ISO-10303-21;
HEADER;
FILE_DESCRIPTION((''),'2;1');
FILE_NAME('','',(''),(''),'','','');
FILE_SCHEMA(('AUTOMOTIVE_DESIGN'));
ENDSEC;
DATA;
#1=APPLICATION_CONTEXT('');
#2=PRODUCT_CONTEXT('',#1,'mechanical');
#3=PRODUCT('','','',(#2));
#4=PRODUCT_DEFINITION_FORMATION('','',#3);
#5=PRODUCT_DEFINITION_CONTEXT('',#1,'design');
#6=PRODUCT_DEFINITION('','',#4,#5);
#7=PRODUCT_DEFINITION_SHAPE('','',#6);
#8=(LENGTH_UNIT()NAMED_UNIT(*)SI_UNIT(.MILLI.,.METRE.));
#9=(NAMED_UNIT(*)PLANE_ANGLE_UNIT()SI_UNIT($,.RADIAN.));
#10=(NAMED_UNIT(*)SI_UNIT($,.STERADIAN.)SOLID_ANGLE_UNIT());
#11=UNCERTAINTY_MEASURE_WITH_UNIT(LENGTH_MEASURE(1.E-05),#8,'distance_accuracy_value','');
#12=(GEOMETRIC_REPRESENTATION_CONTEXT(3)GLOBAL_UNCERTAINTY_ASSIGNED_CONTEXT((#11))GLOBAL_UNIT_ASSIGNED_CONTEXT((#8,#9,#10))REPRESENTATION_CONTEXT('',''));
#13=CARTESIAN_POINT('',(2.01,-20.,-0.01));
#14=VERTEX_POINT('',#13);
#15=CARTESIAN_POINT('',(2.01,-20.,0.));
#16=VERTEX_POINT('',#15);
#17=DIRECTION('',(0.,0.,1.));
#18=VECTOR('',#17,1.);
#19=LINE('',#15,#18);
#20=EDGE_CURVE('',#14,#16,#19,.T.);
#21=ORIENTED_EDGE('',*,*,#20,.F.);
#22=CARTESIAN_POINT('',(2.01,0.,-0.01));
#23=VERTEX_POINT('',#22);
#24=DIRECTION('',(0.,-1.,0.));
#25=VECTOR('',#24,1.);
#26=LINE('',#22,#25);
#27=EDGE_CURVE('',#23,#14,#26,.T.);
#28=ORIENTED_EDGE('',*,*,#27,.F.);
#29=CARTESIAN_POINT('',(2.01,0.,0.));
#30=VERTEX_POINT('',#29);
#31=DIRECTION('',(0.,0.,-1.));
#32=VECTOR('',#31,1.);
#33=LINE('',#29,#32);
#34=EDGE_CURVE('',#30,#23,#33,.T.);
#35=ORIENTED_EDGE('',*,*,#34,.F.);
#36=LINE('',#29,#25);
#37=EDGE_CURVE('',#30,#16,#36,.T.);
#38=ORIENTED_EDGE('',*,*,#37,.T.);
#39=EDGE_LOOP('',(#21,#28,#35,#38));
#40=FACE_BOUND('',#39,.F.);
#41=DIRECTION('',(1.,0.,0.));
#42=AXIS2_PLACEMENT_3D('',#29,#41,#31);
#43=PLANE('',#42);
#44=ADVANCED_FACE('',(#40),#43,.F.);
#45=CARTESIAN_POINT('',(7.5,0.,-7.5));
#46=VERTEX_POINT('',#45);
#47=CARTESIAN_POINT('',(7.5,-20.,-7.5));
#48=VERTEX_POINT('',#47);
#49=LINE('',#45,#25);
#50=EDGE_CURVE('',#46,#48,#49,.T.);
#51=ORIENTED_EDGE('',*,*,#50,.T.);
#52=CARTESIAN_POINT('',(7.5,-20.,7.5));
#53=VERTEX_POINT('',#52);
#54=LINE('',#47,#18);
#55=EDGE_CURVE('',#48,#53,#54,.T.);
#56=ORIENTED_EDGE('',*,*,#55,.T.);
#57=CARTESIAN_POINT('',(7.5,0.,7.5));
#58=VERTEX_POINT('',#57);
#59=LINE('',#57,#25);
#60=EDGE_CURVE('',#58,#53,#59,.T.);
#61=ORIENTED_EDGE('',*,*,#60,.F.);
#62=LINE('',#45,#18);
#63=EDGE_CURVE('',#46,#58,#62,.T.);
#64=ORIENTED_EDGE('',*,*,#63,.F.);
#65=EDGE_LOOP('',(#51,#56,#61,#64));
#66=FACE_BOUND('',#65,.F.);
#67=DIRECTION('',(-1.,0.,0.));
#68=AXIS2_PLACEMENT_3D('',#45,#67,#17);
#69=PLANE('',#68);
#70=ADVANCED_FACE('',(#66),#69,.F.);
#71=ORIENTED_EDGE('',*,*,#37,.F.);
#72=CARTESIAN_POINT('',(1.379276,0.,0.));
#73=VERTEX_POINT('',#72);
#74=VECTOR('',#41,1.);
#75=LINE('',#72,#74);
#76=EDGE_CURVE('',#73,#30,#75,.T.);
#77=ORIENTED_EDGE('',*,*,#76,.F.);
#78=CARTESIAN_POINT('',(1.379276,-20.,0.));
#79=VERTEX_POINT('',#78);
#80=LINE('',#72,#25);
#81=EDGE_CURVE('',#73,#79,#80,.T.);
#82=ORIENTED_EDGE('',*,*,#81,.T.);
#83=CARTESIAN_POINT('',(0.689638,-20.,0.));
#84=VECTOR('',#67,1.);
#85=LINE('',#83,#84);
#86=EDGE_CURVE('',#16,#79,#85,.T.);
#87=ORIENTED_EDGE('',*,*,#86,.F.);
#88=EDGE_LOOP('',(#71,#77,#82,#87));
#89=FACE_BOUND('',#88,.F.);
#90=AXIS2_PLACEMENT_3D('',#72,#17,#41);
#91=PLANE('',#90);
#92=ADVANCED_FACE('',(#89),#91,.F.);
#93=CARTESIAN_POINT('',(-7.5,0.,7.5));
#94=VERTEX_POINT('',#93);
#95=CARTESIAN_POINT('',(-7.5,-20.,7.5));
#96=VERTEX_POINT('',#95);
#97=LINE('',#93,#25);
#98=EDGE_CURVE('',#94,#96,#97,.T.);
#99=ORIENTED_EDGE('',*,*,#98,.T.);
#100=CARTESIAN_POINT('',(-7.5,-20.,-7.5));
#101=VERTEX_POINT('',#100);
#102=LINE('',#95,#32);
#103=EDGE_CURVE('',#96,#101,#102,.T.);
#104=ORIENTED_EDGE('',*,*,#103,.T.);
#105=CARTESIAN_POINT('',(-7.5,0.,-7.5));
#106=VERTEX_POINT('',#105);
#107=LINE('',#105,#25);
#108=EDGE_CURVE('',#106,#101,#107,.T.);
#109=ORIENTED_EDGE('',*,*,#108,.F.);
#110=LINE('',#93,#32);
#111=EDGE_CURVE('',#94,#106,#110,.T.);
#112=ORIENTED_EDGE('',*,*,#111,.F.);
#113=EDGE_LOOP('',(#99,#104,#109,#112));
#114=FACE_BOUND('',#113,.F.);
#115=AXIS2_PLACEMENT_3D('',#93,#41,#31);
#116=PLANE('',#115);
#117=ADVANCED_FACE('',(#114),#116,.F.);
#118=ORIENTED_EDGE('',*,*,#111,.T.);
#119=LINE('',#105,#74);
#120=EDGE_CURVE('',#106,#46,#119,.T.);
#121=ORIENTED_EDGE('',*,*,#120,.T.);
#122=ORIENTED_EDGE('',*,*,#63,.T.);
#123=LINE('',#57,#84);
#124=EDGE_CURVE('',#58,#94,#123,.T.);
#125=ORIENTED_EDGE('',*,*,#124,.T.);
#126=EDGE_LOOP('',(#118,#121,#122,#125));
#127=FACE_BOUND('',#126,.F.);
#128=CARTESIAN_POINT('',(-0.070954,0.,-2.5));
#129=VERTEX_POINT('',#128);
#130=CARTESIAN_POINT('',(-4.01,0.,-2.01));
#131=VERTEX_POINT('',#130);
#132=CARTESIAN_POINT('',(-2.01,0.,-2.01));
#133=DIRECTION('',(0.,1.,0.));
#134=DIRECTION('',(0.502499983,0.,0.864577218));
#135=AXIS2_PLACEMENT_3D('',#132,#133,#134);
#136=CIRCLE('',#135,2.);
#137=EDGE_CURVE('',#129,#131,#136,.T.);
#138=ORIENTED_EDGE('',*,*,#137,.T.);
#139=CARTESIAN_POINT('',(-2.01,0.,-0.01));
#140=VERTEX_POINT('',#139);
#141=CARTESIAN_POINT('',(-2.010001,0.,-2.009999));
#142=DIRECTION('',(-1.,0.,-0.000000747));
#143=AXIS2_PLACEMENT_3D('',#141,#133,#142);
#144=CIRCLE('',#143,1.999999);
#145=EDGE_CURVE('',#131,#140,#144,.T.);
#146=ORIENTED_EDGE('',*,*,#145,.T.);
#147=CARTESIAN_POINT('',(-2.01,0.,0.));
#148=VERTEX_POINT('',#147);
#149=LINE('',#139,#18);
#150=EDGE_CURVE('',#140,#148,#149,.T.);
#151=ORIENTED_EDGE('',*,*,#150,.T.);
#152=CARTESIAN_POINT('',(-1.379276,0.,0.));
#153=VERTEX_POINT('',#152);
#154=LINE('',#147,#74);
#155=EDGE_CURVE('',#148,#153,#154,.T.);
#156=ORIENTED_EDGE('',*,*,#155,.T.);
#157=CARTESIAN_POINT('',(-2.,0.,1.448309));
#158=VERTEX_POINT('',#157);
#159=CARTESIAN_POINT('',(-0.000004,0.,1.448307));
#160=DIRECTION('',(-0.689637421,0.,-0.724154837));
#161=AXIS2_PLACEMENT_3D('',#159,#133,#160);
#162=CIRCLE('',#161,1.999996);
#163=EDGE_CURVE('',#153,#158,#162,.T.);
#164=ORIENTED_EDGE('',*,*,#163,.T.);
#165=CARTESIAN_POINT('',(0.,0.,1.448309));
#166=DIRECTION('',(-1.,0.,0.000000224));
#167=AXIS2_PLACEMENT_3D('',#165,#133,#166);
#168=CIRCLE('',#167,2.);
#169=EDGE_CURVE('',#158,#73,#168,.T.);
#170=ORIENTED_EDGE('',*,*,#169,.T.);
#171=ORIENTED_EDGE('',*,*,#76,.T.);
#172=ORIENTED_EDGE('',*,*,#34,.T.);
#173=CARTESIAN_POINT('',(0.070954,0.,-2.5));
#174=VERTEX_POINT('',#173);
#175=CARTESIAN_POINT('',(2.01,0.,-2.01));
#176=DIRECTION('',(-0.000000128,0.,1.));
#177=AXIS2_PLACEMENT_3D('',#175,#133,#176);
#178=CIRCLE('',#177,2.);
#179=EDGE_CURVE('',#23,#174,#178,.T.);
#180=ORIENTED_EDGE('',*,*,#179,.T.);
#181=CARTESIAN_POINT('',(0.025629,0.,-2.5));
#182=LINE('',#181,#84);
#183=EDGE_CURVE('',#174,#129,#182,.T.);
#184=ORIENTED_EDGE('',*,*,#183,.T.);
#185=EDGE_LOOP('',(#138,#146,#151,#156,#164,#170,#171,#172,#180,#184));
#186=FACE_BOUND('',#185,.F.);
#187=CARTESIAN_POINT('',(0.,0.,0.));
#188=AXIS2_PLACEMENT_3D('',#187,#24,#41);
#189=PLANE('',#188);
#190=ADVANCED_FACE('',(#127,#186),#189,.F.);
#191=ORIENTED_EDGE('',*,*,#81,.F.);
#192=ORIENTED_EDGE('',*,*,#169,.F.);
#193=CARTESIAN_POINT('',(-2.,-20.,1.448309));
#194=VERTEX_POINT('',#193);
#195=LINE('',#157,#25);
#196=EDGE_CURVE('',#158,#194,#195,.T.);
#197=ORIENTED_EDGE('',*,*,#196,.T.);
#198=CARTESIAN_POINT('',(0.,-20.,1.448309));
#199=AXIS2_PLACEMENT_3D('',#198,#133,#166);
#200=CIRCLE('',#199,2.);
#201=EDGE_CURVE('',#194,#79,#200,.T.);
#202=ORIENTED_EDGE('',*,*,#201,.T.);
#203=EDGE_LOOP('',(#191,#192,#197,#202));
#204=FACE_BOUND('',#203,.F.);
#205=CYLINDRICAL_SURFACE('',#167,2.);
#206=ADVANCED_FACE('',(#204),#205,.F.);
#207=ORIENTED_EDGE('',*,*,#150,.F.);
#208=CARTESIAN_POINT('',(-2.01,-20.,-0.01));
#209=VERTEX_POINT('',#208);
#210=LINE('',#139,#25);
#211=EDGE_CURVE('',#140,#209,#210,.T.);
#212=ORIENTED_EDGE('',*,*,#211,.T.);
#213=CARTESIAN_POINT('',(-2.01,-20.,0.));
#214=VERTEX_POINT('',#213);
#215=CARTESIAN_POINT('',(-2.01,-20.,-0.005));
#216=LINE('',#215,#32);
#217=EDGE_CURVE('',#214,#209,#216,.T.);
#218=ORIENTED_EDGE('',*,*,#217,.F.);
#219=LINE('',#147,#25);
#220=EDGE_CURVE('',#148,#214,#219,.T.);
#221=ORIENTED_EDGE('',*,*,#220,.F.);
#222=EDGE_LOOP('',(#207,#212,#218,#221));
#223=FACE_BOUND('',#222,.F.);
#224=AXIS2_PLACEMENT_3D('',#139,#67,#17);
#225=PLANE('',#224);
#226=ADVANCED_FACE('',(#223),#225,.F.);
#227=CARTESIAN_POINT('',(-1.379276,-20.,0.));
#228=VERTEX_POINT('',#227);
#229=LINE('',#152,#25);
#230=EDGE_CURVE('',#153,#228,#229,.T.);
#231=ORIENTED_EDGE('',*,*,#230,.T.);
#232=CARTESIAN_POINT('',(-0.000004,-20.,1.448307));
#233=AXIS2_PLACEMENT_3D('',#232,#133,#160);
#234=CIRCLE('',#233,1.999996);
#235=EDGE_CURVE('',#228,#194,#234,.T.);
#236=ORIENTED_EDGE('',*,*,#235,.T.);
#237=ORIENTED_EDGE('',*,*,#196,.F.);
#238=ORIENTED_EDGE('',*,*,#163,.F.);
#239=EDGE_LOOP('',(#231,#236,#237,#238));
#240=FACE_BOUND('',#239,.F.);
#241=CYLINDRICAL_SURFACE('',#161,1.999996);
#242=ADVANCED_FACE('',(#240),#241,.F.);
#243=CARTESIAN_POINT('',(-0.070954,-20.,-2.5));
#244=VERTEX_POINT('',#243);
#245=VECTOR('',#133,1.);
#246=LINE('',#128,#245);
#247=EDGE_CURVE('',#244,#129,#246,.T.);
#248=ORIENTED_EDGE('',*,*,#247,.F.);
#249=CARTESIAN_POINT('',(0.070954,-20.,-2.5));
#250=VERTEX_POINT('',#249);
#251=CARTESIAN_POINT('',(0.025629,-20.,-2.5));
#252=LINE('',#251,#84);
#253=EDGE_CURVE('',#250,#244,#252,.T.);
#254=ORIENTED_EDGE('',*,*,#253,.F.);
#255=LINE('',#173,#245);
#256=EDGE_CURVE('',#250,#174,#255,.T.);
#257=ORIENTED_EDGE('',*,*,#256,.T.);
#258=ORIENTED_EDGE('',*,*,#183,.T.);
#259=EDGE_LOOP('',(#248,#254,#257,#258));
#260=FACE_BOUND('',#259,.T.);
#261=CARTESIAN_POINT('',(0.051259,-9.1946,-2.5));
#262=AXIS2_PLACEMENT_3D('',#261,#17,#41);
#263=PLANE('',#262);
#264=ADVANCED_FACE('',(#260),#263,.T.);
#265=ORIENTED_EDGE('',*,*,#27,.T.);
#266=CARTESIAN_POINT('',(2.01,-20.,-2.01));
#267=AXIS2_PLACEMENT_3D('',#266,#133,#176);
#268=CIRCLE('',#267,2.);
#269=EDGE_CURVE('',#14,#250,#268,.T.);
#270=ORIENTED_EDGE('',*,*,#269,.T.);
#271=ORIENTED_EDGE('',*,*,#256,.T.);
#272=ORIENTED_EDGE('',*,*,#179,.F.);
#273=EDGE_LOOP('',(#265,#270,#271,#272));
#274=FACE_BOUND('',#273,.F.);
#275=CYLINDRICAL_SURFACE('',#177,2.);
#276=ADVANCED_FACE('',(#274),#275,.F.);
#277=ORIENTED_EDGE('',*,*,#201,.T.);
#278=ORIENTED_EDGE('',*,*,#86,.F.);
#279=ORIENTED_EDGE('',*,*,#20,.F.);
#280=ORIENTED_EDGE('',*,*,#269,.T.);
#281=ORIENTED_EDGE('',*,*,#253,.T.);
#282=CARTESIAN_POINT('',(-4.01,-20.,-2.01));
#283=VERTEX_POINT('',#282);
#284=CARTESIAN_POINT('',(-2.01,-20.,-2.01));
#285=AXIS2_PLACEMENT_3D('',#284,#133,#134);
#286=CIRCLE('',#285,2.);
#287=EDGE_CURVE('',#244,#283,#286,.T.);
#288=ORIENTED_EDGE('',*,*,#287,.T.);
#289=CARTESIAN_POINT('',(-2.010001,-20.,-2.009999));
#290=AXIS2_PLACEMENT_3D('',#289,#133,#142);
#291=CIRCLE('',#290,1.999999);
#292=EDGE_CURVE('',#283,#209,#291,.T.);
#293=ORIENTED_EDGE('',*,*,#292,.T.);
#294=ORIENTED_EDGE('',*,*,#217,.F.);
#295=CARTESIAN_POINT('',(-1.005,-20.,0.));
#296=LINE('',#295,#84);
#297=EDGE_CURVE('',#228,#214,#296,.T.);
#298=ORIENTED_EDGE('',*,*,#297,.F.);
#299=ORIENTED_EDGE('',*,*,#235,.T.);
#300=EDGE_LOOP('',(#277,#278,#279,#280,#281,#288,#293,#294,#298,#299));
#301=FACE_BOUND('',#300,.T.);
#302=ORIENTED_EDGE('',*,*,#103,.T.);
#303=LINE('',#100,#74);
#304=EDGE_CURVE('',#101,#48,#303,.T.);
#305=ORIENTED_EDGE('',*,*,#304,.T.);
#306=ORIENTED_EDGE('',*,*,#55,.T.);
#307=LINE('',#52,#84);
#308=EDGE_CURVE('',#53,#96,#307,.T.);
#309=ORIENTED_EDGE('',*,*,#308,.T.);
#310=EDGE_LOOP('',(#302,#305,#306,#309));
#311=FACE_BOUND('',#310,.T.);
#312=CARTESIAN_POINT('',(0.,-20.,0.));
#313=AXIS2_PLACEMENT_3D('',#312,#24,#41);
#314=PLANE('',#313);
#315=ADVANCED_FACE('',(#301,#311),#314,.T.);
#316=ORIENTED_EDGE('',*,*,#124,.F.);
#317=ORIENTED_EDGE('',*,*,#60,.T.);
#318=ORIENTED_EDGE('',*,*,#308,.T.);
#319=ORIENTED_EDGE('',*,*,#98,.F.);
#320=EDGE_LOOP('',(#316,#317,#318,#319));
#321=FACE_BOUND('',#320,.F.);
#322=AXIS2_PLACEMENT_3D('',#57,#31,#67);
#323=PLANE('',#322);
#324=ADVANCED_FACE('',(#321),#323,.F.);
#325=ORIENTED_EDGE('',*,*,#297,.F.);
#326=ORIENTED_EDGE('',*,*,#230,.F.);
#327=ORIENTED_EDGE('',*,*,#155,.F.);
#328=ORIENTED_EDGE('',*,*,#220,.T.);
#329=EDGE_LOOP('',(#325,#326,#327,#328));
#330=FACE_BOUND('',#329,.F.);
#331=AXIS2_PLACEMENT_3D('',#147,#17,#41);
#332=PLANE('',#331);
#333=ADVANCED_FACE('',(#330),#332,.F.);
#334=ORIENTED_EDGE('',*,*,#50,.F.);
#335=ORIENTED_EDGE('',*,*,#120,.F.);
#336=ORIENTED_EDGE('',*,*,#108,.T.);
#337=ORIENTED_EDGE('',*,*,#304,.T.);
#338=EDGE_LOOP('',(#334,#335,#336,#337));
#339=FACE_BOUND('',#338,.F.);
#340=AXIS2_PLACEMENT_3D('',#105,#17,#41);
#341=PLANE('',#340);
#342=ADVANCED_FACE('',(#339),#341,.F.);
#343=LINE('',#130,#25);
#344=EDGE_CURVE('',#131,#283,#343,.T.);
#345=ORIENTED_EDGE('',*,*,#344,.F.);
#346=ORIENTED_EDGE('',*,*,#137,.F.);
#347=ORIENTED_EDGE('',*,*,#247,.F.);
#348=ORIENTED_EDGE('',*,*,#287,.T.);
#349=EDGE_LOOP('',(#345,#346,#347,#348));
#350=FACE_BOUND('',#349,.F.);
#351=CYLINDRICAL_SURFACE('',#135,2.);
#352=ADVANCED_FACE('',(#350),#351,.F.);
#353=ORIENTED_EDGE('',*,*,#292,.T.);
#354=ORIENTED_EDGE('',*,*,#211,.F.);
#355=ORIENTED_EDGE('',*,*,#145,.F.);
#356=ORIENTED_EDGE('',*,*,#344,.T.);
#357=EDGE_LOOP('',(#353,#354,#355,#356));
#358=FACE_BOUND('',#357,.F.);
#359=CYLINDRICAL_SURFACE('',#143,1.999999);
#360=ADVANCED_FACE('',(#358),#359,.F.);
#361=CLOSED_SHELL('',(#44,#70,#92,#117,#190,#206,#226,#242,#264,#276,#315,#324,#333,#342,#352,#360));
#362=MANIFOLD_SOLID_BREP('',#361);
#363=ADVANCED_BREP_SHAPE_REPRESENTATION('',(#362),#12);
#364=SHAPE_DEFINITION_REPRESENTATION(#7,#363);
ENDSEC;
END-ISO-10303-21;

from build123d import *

# Parameters (mm, degrees)
F1_DEPTH = 20
F3_DEPTH = 20.001
F4_W     = 2.488287
F4_H     = 23.197157
F5_DEPTH = 2.5


with BuildPart() as f1:
    # F0 (on Front) → F1 (new body)
    with BuildSketch(Plane.XZ):
        Polygon((-7.5, -7.5), (7.5, -7.5), (7.5, 7.5), (2, 7.5), (0, 7.5), (-7.5, 7.5), align=None)
    extrude(amount=F1_DEPTH)

    # F2 (on face) → F3 (cut, through all)
    with BuildSketch(Plane(origin=(0, 0, 0), x_dir=(-1, 0, 0), z_dir=(0, 1, 0))):
        with BuildLine():
            Line((-1.379276, 0), (0, 0))
            Line((0, 0), (1.379276, 0))
            ThreePointArc((1.379276, 0), (1.838281, 0.660448), (2, 1.448309))
            ThreePointArc((2, 1.448309), (-0.787861, 3.286589), (-1.379276, 0))
        make_face()
        with BuildLine():
            Line((1.379276, 0), (0, 0))
            Line((0, 0), (-1.379276, 0))
            ThreePointArc((-1.379276, 0), (-1.20038, -0.151406), (-1.005, -0.280846))
            ThreePointArc((-1.005, -0.280846), (0, -0.551691), (1.005, -0.280846))
            ThreePointArc((1.005, -0.280846), (1.20038, -0.151406), (1.379276, 0))
        make_face()
        with BuildLine():
            Line((2.01, 0), (1.379276, 0))
            ThreePointArc((1.379276, 0), (1.20038, -0.151406), (1.005, -0.280846))
            ThreePointArc((1.005, -0.280846), (1.489572, -0.078898), (2.01, -0.01))
            Line((2.01, -0.01), (2.01, 0))
        make_face()
        with BuildLine():
            ThreePointArc((-1.005, -0.280846), (-1.20038, -0.151406), (-1.379276, 0))
            Line((-1.379276, 0), (-2.01, 0))
            Line((-2.01, 0), (-2.01, -0.01))
            ThreePointArc((-2.01, -0.01), (-1.489572, -0.078898), (-1.005, -0.280846))
        make_face()
        with BuildLine():
            ThreePointArc((2.01, -0.01), (1.489572, -0.078898), (1.005, -0.280846))
            ThreePointArc((1.005, -0.280846), (1.012503, -3.743494), (4.01, -2.01))
            ThreePointArc((4.01, -2.01), (3.424214, -0.595786), (2.01, -0.01))
        make_face()
        with BuildLine():
            ThreePointArc((-0.01, -2.01), (-0.276506, -1.012503), (-1.005, -0.280846))
            ThreePointArc((-1.005, -0.280846), (-1.489572, -0.078898), (-2.01, -0.01))
            ThreePointArc((-2.01, -0.01), (-3.424214, -3.424214), (-0.01, -2.01))
        make_face()
    extrude(amount=-F3_DEPTH, mode=Mode.SUBTRACT)

    # F4 (on Top) → F5 (cut)
    with BuildSketch(Plane.XY):
        with Locations((0.051259, -9.1946)):
            Rectangle(F4_W, F4_H)
    extrude(amount=-F5_DEPTH, mode=Mode.SUBTRACT)


solid = f1.part
